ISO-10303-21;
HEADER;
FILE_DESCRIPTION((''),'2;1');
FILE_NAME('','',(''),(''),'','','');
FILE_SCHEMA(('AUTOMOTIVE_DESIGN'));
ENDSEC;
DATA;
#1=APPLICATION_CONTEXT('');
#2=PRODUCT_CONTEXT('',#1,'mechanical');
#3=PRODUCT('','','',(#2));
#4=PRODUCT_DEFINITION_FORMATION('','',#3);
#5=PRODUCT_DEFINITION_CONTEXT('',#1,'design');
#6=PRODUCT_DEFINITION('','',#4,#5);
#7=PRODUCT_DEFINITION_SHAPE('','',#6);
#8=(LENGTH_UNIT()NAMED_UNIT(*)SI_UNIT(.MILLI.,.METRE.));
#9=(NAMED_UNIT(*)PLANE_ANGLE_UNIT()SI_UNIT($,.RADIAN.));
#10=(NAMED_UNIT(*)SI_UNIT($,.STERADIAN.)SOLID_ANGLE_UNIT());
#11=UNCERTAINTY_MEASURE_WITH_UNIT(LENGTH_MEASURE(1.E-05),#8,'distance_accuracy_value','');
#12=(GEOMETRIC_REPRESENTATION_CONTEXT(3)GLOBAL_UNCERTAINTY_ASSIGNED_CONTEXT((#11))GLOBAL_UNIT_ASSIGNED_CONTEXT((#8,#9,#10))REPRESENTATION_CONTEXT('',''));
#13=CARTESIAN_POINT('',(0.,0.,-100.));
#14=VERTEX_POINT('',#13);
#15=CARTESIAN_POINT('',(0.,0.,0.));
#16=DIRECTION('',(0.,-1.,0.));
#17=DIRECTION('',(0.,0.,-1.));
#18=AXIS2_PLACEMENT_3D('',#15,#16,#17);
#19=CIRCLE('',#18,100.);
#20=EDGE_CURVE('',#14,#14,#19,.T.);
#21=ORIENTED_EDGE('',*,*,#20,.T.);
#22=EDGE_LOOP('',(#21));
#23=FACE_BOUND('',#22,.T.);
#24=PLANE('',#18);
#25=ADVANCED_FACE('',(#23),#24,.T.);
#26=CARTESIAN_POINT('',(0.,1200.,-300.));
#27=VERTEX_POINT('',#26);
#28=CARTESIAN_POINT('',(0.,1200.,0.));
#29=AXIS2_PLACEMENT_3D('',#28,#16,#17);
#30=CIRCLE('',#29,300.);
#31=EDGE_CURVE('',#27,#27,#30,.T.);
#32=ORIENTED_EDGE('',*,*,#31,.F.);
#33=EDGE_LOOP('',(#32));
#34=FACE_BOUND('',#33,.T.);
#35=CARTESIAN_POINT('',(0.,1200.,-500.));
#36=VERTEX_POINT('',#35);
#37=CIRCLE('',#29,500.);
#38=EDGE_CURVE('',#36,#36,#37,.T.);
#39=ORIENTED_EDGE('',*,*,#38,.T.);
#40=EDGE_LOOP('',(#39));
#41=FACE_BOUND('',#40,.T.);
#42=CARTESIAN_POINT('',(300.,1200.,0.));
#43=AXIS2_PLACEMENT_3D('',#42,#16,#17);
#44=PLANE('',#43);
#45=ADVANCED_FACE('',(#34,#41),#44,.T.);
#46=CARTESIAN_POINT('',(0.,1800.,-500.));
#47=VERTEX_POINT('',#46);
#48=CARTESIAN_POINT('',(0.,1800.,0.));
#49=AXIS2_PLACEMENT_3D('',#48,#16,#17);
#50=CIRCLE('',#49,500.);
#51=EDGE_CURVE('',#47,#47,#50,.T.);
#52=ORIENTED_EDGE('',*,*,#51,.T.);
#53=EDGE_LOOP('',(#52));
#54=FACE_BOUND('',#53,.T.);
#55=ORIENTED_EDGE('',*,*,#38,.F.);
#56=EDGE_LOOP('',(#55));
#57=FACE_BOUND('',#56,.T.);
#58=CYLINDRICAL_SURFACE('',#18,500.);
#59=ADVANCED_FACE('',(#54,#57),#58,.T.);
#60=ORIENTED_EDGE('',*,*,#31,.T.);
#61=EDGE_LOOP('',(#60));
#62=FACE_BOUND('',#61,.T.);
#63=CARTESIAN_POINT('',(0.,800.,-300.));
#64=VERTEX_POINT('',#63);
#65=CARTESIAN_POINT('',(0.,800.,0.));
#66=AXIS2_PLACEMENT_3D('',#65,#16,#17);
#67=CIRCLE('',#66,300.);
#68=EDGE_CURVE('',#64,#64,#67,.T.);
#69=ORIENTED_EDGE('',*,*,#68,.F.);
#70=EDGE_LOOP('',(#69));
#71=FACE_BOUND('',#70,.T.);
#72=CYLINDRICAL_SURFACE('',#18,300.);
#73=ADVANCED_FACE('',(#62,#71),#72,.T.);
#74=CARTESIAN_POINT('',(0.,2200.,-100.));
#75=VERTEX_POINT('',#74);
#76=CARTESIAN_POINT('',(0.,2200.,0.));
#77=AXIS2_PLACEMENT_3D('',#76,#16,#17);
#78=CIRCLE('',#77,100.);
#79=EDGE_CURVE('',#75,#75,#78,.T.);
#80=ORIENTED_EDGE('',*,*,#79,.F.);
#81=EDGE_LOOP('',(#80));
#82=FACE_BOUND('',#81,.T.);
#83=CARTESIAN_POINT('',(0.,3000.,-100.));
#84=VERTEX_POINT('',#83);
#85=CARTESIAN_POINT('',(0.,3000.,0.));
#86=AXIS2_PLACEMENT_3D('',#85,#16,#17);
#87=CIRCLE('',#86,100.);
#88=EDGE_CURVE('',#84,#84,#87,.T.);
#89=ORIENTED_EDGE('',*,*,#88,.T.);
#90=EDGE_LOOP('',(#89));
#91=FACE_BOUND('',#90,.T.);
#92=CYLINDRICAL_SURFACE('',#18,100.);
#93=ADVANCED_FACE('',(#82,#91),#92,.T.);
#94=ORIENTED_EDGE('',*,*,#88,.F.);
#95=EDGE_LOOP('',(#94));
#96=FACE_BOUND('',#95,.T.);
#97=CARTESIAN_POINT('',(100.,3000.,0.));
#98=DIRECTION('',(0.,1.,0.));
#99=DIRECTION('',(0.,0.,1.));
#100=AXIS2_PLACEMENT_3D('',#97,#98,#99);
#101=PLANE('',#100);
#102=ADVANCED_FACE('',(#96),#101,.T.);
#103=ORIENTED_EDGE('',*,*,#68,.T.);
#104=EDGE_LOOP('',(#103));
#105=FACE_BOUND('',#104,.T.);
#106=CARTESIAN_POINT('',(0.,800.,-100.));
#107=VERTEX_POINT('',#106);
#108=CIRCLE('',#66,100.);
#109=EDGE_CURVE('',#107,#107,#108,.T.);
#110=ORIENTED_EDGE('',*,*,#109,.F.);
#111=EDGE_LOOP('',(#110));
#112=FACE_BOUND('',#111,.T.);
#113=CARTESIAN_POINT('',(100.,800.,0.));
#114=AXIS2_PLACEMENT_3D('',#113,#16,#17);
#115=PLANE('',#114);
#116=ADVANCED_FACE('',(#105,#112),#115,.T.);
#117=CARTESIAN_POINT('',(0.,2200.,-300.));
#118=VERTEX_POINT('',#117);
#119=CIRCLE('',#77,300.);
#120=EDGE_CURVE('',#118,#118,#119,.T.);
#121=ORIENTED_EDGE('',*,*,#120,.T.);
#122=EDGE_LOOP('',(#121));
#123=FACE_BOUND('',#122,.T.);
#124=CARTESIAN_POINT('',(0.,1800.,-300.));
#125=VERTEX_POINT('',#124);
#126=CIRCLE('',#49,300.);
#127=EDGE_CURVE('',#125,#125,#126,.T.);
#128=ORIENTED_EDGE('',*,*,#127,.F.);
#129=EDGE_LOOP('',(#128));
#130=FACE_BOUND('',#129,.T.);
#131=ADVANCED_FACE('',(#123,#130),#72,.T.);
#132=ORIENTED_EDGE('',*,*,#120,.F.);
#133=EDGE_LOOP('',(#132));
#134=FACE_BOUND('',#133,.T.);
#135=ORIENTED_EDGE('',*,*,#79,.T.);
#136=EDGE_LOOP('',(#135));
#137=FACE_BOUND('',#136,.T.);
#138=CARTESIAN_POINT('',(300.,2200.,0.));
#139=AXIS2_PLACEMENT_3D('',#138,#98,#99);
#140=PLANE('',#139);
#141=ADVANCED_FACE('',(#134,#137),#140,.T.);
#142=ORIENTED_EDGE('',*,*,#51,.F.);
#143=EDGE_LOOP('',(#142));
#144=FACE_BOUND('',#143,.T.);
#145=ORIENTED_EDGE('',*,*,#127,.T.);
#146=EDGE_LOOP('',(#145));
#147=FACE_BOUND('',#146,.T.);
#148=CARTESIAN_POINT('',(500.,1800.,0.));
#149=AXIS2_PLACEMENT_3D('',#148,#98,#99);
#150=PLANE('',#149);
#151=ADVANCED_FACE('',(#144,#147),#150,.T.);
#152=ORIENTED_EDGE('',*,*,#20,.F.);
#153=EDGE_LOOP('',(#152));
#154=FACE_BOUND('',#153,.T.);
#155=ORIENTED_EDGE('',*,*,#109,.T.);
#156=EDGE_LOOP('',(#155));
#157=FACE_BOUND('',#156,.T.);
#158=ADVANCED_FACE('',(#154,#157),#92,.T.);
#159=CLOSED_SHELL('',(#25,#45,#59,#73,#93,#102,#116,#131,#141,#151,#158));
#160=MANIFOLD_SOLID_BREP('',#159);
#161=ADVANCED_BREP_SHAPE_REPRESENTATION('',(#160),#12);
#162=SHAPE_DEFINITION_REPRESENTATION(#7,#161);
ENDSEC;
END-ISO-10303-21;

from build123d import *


with BuildPart() as part:
    # Sketch4 → Revolve4 (revolve)
    with BuildSketch(Plane.XY, mode=Mode.PRIVATE) as revolve4_sk:
        Polygon((0, 0), (100, 0), (100, 800), (300, 800), (300, 1200), (500, 1200), (500, 1800), (300, 1800), (300, 2200), (100, 2200), (100, 3000), (0, 3000), align=None)
    revolve(revolve4_sk.sketch.rotate(Axis((0, 0, 0), (0, 1, 0)), 90), axis=Axis((0, 0, 0), (0, 1, 0)))  # turned: the seam where the file's is


solid = part.part
